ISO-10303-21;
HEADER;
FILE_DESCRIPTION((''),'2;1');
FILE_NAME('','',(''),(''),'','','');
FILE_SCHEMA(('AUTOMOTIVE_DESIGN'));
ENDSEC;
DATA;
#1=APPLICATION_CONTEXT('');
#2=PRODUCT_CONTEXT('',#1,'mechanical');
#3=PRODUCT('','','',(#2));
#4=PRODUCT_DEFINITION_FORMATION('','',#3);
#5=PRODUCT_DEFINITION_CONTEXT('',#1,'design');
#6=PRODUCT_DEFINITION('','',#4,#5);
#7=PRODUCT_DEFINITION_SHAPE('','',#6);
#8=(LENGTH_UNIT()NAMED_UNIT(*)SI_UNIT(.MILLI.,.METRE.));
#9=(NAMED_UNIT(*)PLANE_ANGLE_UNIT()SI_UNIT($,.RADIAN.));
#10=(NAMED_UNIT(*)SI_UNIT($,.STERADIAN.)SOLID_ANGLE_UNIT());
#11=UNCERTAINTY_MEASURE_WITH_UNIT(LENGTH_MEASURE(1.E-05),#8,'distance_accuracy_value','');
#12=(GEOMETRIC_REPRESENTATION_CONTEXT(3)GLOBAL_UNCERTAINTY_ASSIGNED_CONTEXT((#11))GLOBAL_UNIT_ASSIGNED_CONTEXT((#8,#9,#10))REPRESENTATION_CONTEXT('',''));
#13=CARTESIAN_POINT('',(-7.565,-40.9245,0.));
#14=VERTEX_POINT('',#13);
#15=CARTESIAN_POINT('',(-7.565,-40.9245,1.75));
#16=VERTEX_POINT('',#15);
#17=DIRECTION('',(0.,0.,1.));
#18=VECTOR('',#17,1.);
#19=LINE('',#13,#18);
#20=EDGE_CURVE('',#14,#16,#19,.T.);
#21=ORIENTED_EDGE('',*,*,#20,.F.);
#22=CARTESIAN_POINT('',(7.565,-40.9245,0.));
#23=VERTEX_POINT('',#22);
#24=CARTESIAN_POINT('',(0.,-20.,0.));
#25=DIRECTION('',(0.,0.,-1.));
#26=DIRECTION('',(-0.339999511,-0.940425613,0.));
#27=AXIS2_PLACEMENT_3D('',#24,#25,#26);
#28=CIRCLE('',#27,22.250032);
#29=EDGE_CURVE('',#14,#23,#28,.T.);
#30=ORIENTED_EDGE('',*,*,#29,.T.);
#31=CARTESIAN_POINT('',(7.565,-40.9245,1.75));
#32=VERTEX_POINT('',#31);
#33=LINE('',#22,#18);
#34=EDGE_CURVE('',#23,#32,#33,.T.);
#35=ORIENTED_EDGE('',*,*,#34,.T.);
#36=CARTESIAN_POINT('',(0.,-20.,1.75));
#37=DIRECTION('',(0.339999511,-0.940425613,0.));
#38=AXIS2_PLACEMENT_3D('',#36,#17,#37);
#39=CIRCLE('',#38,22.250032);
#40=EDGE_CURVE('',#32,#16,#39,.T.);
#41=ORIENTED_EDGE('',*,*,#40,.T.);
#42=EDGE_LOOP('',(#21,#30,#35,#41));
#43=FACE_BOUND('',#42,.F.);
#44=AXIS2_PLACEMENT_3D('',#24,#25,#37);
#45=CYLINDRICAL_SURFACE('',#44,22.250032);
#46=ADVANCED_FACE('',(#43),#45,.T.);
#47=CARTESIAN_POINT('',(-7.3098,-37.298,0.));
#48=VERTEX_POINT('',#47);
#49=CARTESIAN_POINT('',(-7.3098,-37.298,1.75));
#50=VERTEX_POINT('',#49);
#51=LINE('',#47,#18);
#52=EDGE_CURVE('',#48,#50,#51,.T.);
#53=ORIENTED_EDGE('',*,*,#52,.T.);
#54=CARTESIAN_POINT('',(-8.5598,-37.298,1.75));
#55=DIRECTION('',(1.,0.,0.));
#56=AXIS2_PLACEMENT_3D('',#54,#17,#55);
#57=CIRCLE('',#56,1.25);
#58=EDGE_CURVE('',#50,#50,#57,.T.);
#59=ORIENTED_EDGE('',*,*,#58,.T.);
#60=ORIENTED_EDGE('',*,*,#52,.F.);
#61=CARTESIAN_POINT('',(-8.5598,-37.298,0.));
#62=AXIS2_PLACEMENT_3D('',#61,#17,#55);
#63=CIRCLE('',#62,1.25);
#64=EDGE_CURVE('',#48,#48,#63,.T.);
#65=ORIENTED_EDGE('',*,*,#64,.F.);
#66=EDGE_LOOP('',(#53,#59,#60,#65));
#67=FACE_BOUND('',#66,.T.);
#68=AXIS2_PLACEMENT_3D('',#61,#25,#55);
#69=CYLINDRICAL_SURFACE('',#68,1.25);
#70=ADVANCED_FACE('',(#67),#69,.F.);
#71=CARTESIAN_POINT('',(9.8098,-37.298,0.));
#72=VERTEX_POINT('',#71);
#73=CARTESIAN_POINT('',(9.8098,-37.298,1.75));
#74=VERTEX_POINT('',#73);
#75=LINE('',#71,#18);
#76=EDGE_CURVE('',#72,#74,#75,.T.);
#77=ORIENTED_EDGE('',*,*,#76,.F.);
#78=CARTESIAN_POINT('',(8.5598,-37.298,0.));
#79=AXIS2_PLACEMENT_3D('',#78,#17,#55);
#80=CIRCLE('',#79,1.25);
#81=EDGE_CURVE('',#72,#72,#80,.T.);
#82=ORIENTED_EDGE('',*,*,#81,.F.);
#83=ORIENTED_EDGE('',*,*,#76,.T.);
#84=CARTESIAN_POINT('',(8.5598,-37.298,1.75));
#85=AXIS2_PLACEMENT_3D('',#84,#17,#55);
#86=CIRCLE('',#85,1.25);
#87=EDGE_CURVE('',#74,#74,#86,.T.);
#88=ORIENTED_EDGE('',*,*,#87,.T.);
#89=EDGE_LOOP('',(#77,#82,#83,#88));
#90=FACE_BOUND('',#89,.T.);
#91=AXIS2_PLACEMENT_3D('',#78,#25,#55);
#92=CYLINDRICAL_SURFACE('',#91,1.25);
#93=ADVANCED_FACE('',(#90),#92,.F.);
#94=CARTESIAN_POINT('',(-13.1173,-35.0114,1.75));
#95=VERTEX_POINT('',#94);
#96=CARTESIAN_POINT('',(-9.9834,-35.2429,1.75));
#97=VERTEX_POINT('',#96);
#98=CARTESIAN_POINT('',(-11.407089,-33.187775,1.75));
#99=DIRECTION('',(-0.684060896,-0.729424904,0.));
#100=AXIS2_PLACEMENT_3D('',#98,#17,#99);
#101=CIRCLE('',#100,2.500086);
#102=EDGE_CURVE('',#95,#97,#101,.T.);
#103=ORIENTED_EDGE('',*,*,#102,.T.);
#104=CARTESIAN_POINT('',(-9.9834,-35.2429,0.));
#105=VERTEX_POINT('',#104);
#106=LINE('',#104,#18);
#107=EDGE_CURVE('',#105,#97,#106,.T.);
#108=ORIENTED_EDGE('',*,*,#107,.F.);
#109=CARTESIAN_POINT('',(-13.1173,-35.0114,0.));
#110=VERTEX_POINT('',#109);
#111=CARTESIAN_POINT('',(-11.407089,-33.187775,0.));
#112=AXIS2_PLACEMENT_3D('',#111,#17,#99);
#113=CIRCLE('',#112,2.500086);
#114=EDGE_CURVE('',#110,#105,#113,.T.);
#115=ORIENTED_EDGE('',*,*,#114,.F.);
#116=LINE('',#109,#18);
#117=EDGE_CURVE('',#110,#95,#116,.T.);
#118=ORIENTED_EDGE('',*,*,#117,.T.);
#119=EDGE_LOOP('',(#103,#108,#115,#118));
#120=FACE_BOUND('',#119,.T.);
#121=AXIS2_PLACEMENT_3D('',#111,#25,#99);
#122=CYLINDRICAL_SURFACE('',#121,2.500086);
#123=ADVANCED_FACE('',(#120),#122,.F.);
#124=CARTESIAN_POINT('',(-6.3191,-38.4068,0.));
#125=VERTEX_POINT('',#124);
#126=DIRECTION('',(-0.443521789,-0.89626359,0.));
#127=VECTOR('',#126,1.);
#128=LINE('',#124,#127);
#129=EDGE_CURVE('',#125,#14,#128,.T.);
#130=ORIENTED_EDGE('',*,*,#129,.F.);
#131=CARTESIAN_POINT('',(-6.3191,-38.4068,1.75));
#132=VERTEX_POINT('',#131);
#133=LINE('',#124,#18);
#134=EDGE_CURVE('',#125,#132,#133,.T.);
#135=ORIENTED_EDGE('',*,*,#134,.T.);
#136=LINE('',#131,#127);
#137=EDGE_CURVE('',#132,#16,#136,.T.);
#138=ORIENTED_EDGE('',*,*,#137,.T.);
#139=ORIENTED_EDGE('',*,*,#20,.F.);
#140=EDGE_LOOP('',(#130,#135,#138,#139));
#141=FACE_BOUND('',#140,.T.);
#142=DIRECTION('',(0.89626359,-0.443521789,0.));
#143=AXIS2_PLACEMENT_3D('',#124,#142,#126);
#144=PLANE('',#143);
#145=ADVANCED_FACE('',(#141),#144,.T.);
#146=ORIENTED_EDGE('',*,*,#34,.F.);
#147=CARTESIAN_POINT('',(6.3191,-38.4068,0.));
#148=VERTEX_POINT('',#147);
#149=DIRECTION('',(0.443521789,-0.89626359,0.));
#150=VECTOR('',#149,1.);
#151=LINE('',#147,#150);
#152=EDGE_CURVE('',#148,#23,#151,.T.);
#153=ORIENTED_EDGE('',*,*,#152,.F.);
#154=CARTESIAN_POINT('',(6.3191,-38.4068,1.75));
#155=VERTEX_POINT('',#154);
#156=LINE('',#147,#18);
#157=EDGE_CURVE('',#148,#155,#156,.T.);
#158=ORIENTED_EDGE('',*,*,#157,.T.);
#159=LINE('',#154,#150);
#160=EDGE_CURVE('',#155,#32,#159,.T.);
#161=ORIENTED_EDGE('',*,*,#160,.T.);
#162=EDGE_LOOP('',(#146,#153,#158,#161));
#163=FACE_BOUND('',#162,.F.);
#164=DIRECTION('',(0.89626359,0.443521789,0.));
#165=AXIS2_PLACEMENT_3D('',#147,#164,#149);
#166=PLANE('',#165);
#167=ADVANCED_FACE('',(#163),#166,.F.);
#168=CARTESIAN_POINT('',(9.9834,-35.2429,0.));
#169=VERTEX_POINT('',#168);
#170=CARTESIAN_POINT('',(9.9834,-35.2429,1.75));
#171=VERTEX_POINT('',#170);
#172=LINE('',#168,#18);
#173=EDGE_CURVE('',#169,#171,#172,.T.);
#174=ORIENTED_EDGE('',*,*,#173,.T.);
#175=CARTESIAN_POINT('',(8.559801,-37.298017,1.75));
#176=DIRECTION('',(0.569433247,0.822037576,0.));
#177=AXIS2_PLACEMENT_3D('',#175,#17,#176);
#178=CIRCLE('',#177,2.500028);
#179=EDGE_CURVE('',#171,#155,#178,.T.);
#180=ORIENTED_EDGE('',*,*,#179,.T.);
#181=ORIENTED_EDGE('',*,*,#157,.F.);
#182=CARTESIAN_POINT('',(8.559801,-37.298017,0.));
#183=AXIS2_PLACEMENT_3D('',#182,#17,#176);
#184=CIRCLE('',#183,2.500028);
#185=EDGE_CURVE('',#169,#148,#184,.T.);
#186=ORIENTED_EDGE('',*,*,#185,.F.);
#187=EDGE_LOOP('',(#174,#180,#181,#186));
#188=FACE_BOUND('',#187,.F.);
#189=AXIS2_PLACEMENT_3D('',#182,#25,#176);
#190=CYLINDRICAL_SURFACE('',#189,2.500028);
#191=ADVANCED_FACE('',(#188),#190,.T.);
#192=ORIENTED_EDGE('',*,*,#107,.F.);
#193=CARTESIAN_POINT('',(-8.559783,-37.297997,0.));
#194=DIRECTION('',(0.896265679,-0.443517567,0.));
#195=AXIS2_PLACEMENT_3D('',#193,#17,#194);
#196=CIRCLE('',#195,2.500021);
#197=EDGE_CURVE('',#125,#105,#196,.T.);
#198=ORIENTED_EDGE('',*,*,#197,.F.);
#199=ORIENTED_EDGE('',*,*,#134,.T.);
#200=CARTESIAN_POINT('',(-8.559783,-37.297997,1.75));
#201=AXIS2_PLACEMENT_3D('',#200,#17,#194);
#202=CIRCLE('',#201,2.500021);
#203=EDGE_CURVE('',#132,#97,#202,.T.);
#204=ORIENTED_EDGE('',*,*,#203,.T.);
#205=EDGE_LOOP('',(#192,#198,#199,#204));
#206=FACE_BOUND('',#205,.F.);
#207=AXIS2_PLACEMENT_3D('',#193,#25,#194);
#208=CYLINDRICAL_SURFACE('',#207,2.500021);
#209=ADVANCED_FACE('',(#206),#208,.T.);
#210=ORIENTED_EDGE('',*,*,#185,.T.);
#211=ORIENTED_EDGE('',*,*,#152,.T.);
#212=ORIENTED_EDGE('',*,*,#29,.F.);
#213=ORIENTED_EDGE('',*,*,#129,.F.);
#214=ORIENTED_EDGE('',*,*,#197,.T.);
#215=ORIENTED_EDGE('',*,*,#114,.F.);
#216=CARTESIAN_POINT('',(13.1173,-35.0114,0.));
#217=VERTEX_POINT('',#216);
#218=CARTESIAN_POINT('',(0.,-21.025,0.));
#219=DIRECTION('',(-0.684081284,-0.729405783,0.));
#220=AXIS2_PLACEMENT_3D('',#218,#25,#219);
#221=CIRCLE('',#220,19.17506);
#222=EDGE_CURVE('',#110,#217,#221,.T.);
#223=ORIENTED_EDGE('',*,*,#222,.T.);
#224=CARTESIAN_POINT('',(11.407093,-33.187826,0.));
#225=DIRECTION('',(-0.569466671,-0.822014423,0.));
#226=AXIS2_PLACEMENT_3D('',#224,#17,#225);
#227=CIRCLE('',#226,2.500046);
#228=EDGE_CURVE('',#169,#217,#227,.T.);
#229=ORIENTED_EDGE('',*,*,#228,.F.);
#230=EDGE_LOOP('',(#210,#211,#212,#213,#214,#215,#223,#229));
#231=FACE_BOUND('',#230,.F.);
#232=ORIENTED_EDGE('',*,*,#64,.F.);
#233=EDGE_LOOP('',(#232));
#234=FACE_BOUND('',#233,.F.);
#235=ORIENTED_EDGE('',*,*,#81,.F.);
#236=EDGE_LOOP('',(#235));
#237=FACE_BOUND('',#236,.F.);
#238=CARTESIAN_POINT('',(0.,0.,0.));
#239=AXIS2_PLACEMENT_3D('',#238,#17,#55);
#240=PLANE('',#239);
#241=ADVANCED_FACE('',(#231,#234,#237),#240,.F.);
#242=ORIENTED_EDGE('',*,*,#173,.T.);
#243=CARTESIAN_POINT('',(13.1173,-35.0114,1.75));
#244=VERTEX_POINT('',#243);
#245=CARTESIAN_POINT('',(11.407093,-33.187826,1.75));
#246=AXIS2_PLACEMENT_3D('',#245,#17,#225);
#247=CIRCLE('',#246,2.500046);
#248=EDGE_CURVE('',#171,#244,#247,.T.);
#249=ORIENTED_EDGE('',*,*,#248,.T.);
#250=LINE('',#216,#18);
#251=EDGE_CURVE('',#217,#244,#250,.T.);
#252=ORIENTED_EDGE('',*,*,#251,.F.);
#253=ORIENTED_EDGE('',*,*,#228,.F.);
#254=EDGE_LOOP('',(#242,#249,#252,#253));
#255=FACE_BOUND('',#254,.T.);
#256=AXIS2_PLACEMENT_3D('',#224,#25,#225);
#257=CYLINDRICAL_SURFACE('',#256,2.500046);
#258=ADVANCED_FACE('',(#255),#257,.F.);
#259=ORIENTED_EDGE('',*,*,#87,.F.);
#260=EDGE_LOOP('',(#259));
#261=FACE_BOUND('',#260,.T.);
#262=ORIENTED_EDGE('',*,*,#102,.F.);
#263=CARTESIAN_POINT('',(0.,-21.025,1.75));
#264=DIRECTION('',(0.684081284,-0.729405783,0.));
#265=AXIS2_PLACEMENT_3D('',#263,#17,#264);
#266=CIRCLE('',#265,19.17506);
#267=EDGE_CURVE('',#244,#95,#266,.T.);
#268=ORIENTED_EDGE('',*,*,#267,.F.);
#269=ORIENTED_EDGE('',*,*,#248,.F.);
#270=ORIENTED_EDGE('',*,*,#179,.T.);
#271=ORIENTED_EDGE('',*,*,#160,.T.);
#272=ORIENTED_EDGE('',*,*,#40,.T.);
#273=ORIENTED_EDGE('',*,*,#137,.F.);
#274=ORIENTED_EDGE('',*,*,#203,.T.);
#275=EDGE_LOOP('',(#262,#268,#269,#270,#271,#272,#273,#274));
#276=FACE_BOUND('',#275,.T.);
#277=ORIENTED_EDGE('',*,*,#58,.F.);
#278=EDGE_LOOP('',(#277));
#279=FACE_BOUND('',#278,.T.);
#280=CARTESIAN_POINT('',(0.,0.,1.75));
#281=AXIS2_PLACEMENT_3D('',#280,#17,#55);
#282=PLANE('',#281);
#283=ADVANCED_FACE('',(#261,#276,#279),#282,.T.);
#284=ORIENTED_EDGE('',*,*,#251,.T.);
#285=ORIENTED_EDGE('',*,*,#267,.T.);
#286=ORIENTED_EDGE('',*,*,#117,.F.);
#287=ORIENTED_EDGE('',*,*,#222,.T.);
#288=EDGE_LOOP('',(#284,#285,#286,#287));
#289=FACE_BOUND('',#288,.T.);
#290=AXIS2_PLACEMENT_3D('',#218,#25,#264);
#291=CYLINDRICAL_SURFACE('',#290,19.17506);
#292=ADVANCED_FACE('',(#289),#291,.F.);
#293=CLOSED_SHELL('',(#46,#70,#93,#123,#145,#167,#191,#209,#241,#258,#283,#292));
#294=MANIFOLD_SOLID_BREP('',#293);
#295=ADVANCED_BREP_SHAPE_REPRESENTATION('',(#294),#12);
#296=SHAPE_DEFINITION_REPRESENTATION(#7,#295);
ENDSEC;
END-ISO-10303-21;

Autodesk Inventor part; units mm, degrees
ref_plane "YZ Plane" through (0, 0, 0) normal (1, 0, 0) x (0, 1, 0)
ref_plane "XZ Plane" through (0, 0, 0) normal (0, 1, 0) x (-1, 0, 0)
sketch "Sketch1" plane through (0, 0, 0) normal (0, 0, 1) x (1, 0, 0)
  arc A0 (13.1173, -35.0114) -> (-13.1173, -35.0114) centre (0, -21.025) ccw
  line L0 (0, 15.1128) -> (0, -73.1766) projected
  line L1 (-45.5, 0) -> (45.5, 0) projected
  line L2 (-4.9645, 2.25) -> (1.5024, 2.25) construction
  arc A1 (7.565, -40.9245) -> (-7.565, -40.9245) centre (0, -20) ccw
  line L3 (0, -1.85) -> (-5.3069, -1.85) construction
  line L4 (0, -20) -> (-9.8682, -39.942) construction
  line L5 (-9.8682, -39.942) -> (-23.2119, -33.3389) construction
  line L6 (-8.5598, -37.298) -> (-18.9347, -32.164) construction
  circle A2 centre (-8.5598, -37.298) radius 1.25
  arc A3 (-6.3191, -38.4068) -> (-9.9834, -35.2429) centre (-8.5598, -37.298) ccw
  arc A4 (-13.1173, -35.0114) -> (-9.9834, -35.2429) centre (-11.4071, -33.1878) ccw
  line L7 (-6.3191, -38.4068) -> (-7.565, -40.9245)
  circle A5 centre (8.5598, -37.298) radius 1.25
  arc A6 (9.9834, -35.2429) -> (6.3191, -38.4068) centre (8.5598, -37.298) ccw
  arc A7 (9.9834, -35.2429) -> (13.1173, -35.0114) centre (11.4071, -33.1878) ccw
  line L8 (6.3191, -38.4068) -> (7.565, -40.9245)
  point P0 (-16.0199, -33.6064)
  point P1 (9.8682, -39.942)
  dimension "d8" = 1.025
  dimension "d38" = 4.1
  dimension "d39" = 20
  dimension "d43" = 22.25
  dimension "d45" = 2.95
  dimension "d46" = 2.5
  dimension "d47" = 7.565
  dimension "d48" = 2.5
  dimension "d49" = 2.5
extrude "Body" add sketch "Sketch1" along normal blind 1.75
ref_plane "Work Plane1" through (0, -21.025, 0) normal (1, 0, 0) x (0, 0, 1)
equation "\"d8\" = 0.25 * SRB1"
equation "\"d38\" = SRB1"
equation "\"d39\" = 0.5 * WD"
equation "\"d43\" = 0.5 * ND"
equation "\"d45\" = 0.5 * SRB2"
equation "\"d46\" = SD5"
equation "\"d47\" = 0.17 * ND"
equation "\"d48\" = SD5"
equation "\"d49\" = SD5"
equation "\"d2\" = SD"
equation "\"SD\" = 1.75"
equation "\"SRB1\" = 4.1"
equation "\"ND\" = 44.5"
equation "\"SRB2\" = 5.9"
equation "\"SD5\" = 2.5"
equation "\"SD6\" = 45.5"
equation "\"NND\" = 42"
equation "\"WDMAX\" = NND"
equation "\"WD\" = 40"
properties part number "DIN 472 - 42 x 1,75" material "Steel, Mild"
